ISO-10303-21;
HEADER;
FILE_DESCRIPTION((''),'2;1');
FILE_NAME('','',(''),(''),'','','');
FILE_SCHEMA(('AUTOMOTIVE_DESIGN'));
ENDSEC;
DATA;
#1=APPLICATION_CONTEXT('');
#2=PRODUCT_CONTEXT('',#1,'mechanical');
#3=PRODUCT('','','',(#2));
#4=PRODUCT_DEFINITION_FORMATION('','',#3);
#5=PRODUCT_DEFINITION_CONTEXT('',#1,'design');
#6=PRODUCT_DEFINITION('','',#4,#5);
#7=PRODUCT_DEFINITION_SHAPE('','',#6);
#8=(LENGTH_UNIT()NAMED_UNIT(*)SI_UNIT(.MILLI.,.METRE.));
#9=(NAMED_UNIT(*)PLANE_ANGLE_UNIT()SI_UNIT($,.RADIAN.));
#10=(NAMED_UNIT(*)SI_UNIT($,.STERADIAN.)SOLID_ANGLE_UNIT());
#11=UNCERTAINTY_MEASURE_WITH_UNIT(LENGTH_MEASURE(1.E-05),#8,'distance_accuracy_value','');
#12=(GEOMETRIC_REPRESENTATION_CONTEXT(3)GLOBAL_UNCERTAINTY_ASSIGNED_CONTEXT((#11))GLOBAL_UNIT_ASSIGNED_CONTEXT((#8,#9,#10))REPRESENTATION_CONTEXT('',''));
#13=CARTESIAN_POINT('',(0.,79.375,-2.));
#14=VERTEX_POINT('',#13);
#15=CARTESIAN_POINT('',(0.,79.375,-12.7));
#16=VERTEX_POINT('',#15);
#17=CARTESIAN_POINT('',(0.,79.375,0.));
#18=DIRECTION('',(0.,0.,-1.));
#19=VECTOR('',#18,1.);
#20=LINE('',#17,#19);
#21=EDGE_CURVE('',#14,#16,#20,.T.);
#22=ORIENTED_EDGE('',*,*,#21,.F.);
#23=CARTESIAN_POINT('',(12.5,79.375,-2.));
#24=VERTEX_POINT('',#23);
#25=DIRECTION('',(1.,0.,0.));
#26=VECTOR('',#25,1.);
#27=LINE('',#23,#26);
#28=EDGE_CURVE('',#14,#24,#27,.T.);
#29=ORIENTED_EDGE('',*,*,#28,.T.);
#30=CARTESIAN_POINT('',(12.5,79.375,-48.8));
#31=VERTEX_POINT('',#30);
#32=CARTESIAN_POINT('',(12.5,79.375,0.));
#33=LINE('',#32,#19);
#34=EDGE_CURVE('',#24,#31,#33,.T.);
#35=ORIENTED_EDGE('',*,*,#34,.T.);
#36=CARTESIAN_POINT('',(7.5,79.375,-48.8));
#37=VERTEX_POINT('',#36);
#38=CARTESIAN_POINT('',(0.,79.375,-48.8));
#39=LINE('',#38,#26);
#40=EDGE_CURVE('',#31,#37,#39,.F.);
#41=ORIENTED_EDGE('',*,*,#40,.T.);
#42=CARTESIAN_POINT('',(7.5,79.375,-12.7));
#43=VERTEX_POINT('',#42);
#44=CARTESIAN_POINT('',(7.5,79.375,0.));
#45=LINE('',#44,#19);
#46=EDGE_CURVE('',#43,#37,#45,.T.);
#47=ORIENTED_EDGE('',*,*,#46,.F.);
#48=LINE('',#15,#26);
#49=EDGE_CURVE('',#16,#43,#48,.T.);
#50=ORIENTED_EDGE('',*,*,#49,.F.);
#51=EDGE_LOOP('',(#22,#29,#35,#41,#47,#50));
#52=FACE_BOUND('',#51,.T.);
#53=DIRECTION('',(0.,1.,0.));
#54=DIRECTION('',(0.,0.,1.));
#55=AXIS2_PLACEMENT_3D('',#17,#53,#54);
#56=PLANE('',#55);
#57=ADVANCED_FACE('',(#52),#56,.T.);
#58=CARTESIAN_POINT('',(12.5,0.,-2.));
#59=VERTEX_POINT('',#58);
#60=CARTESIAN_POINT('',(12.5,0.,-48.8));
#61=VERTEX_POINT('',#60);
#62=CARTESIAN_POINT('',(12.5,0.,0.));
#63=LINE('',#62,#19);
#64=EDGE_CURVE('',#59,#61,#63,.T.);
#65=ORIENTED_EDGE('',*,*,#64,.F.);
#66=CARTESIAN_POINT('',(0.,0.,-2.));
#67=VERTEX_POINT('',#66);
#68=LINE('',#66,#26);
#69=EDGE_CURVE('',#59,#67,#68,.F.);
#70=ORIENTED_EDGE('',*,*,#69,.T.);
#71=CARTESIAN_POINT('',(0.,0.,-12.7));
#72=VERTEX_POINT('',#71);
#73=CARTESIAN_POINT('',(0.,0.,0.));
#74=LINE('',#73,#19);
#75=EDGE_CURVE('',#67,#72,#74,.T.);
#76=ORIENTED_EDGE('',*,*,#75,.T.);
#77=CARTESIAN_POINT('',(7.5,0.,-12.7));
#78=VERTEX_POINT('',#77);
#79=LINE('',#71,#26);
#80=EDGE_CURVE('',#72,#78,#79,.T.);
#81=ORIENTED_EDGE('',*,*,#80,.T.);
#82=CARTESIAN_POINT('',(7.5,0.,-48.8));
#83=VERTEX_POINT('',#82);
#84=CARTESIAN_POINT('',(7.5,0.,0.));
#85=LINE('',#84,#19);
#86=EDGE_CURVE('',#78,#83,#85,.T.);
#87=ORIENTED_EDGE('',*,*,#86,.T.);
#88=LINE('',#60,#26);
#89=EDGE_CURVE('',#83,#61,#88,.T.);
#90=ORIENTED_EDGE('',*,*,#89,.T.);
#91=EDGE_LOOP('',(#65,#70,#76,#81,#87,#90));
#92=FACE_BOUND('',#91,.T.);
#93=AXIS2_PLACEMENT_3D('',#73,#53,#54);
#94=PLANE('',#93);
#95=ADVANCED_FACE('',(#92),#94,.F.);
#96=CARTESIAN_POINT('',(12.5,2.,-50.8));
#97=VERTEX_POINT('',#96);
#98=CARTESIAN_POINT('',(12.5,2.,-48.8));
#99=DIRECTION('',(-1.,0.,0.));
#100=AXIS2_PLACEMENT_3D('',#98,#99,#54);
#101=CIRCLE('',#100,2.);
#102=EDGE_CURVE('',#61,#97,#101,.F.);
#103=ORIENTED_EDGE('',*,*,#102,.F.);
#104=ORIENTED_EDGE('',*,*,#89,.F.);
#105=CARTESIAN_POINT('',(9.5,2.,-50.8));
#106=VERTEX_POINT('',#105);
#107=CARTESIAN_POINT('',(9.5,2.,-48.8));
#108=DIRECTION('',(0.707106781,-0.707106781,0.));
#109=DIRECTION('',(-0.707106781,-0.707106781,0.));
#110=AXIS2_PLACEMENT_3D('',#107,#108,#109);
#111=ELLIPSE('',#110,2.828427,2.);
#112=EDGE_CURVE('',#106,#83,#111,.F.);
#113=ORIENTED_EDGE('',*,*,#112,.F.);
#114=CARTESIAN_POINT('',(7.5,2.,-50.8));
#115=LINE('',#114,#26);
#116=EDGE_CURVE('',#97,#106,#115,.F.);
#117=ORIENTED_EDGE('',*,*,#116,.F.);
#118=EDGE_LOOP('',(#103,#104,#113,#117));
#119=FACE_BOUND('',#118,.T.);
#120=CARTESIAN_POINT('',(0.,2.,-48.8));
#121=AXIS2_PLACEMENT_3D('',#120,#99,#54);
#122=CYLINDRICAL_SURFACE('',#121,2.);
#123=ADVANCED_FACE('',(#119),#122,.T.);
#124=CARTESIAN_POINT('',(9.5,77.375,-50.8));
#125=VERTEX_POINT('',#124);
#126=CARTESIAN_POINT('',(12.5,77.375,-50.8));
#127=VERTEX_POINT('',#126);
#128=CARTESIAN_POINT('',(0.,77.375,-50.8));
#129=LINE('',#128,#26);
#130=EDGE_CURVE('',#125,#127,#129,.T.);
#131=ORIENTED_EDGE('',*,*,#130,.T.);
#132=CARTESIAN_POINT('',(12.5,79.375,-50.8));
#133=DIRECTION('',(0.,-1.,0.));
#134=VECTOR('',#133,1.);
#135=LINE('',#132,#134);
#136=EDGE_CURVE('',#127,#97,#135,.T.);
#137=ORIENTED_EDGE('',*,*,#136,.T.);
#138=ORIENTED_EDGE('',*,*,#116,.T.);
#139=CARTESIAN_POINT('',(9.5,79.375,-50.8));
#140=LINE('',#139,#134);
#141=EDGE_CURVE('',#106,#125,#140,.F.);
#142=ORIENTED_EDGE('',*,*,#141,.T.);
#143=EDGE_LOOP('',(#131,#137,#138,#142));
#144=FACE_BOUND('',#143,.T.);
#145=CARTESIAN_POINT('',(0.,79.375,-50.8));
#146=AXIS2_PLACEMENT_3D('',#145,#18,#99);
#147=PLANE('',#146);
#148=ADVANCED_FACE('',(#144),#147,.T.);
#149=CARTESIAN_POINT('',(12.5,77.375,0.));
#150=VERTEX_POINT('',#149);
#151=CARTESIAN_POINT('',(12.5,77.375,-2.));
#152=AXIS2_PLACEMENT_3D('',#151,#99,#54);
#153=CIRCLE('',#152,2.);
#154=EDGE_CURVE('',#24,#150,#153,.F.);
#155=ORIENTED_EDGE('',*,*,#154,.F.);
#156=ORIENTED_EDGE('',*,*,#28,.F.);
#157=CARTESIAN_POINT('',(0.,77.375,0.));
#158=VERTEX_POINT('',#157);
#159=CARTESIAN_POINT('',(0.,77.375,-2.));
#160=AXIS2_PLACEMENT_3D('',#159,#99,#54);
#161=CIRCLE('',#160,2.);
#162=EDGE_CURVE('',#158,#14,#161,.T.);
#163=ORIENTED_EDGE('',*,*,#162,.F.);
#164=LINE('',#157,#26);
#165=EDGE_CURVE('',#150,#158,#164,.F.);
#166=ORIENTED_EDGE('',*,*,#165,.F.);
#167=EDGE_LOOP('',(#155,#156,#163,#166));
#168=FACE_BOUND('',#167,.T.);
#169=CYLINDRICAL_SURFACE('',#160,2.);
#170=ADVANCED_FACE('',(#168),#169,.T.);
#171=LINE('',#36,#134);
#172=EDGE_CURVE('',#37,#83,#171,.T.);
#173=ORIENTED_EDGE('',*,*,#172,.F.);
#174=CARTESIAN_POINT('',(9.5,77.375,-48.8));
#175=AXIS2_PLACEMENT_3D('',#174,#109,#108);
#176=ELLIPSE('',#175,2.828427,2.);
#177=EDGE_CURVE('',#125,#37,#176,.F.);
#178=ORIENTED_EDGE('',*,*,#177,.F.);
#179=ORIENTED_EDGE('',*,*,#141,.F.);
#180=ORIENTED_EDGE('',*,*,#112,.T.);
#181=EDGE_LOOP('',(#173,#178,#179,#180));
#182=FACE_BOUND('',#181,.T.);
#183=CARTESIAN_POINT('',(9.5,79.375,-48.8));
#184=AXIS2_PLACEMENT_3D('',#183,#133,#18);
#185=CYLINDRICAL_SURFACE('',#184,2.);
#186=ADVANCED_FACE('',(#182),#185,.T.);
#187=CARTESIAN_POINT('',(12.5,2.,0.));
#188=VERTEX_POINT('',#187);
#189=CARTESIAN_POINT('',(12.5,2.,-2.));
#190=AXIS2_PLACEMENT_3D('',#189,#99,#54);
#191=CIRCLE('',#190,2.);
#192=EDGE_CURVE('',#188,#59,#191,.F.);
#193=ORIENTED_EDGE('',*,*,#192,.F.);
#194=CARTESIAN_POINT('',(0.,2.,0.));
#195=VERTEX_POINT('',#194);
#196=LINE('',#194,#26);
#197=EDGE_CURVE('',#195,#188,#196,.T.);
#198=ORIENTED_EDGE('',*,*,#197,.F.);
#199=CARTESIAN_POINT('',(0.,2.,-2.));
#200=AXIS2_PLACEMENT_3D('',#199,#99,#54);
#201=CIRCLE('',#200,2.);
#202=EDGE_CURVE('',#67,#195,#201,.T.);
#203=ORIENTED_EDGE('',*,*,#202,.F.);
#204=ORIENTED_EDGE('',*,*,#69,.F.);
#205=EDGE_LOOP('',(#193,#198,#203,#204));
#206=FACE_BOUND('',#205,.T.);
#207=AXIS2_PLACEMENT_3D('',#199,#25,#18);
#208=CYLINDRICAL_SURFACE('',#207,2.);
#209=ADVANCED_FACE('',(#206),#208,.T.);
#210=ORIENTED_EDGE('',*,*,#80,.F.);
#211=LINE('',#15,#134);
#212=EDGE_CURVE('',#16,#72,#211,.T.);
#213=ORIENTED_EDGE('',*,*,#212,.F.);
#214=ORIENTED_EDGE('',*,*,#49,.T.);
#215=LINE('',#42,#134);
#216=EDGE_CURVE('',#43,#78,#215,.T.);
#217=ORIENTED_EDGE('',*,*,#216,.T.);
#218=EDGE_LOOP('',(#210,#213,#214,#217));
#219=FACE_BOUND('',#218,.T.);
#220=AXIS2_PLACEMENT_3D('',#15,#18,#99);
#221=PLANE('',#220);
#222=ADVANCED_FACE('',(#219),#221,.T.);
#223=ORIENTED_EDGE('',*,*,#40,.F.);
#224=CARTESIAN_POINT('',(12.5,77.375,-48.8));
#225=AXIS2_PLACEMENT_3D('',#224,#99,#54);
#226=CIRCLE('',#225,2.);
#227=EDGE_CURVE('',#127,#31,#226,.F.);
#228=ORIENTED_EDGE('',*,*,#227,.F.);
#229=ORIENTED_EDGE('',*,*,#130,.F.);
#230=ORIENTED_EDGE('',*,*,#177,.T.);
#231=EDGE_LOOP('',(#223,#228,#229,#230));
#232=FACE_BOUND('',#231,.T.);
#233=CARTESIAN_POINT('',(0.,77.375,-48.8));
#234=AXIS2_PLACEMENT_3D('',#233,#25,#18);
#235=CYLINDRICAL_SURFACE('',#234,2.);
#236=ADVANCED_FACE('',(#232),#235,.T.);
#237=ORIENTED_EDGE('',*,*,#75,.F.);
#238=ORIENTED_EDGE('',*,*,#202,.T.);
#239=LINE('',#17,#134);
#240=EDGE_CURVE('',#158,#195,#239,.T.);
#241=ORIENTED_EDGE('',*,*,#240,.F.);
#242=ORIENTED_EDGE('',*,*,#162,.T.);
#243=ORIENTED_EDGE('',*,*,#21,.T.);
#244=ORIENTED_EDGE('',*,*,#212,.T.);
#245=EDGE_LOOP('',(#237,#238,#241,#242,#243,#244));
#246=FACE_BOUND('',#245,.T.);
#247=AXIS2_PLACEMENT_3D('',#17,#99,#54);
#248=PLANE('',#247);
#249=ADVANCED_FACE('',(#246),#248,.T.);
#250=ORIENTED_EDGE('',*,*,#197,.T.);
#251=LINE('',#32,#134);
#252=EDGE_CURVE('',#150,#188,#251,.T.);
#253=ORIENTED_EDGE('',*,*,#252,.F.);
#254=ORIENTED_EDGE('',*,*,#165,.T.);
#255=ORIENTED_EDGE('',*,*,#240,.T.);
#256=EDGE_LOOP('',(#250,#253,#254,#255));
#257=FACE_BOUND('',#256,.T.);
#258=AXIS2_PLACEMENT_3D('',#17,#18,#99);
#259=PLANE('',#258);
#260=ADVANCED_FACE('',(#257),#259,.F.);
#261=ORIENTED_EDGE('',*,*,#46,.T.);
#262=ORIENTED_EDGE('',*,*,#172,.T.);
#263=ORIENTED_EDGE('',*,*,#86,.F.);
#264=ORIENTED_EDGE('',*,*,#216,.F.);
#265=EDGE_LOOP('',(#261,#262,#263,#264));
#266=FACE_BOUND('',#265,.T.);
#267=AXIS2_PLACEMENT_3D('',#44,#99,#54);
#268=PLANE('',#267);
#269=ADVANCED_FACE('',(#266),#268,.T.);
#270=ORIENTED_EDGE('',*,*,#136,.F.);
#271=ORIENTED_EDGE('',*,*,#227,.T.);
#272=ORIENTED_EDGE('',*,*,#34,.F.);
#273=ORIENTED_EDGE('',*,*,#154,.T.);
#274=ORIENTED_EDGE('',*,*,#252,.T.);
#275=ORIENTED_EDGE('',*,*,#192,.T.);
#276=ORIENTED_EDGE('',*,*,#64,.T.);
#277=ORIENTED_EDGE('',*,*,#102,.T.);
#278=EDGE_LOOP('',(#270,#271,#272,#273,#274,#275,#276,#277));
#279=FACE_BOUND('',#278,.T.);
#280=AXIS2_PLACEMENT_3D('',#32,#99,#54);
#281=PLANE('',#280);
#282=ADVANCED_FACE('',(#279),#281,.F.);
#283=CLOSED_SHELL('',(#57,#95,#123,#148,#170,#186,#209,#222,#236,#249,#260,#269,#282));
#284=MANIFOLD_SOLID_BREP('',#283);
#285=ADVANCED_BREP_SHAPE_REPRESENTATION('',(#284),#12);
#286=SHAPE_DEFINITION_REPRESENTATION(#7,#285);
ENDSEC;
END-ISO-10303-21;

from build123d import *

# Parameters (mm, degrees)
SKETCH1_W           = 7.5
SKETCH1_H           = 12.7
BOSS_EXTRUDE1_DEPTH = 79.375
FILLET1_R           = 2


with BuildPart() as part:
    # Sketch1 → Boss-Extrude1 (new body)
    with BuildSketch(Plane(origin=(0, 0, 0), x_dir=(1, 0, 0), z_dir=(0, 1, 0))):
        with Locations((3.75, 6.35)):
            Rectangle(SKETCH1_W, SKETCH1_H)
        Polygon((7.5, 12.7), (7.5, 0), (12.5, 0), (12.5, 50.8), (7.5, 50.8), align=None)
    extrude(amount=BOSS_EXTRUDE1_DEPTH)

    # Fillet1
    fillet1_edges = [part.edges().sort_by_distance(p)[0] for p in [
        (6.25, 0, 0),
        (7.5, 39.6875, -50.8),
        (10, 79.375, -50.8),
        (6.25, 79.375, 0),
        (10, 0, -50.8),
    ]]
    fillet(fillet1_edges, radius=FILLET1_R)


solid = part.part
